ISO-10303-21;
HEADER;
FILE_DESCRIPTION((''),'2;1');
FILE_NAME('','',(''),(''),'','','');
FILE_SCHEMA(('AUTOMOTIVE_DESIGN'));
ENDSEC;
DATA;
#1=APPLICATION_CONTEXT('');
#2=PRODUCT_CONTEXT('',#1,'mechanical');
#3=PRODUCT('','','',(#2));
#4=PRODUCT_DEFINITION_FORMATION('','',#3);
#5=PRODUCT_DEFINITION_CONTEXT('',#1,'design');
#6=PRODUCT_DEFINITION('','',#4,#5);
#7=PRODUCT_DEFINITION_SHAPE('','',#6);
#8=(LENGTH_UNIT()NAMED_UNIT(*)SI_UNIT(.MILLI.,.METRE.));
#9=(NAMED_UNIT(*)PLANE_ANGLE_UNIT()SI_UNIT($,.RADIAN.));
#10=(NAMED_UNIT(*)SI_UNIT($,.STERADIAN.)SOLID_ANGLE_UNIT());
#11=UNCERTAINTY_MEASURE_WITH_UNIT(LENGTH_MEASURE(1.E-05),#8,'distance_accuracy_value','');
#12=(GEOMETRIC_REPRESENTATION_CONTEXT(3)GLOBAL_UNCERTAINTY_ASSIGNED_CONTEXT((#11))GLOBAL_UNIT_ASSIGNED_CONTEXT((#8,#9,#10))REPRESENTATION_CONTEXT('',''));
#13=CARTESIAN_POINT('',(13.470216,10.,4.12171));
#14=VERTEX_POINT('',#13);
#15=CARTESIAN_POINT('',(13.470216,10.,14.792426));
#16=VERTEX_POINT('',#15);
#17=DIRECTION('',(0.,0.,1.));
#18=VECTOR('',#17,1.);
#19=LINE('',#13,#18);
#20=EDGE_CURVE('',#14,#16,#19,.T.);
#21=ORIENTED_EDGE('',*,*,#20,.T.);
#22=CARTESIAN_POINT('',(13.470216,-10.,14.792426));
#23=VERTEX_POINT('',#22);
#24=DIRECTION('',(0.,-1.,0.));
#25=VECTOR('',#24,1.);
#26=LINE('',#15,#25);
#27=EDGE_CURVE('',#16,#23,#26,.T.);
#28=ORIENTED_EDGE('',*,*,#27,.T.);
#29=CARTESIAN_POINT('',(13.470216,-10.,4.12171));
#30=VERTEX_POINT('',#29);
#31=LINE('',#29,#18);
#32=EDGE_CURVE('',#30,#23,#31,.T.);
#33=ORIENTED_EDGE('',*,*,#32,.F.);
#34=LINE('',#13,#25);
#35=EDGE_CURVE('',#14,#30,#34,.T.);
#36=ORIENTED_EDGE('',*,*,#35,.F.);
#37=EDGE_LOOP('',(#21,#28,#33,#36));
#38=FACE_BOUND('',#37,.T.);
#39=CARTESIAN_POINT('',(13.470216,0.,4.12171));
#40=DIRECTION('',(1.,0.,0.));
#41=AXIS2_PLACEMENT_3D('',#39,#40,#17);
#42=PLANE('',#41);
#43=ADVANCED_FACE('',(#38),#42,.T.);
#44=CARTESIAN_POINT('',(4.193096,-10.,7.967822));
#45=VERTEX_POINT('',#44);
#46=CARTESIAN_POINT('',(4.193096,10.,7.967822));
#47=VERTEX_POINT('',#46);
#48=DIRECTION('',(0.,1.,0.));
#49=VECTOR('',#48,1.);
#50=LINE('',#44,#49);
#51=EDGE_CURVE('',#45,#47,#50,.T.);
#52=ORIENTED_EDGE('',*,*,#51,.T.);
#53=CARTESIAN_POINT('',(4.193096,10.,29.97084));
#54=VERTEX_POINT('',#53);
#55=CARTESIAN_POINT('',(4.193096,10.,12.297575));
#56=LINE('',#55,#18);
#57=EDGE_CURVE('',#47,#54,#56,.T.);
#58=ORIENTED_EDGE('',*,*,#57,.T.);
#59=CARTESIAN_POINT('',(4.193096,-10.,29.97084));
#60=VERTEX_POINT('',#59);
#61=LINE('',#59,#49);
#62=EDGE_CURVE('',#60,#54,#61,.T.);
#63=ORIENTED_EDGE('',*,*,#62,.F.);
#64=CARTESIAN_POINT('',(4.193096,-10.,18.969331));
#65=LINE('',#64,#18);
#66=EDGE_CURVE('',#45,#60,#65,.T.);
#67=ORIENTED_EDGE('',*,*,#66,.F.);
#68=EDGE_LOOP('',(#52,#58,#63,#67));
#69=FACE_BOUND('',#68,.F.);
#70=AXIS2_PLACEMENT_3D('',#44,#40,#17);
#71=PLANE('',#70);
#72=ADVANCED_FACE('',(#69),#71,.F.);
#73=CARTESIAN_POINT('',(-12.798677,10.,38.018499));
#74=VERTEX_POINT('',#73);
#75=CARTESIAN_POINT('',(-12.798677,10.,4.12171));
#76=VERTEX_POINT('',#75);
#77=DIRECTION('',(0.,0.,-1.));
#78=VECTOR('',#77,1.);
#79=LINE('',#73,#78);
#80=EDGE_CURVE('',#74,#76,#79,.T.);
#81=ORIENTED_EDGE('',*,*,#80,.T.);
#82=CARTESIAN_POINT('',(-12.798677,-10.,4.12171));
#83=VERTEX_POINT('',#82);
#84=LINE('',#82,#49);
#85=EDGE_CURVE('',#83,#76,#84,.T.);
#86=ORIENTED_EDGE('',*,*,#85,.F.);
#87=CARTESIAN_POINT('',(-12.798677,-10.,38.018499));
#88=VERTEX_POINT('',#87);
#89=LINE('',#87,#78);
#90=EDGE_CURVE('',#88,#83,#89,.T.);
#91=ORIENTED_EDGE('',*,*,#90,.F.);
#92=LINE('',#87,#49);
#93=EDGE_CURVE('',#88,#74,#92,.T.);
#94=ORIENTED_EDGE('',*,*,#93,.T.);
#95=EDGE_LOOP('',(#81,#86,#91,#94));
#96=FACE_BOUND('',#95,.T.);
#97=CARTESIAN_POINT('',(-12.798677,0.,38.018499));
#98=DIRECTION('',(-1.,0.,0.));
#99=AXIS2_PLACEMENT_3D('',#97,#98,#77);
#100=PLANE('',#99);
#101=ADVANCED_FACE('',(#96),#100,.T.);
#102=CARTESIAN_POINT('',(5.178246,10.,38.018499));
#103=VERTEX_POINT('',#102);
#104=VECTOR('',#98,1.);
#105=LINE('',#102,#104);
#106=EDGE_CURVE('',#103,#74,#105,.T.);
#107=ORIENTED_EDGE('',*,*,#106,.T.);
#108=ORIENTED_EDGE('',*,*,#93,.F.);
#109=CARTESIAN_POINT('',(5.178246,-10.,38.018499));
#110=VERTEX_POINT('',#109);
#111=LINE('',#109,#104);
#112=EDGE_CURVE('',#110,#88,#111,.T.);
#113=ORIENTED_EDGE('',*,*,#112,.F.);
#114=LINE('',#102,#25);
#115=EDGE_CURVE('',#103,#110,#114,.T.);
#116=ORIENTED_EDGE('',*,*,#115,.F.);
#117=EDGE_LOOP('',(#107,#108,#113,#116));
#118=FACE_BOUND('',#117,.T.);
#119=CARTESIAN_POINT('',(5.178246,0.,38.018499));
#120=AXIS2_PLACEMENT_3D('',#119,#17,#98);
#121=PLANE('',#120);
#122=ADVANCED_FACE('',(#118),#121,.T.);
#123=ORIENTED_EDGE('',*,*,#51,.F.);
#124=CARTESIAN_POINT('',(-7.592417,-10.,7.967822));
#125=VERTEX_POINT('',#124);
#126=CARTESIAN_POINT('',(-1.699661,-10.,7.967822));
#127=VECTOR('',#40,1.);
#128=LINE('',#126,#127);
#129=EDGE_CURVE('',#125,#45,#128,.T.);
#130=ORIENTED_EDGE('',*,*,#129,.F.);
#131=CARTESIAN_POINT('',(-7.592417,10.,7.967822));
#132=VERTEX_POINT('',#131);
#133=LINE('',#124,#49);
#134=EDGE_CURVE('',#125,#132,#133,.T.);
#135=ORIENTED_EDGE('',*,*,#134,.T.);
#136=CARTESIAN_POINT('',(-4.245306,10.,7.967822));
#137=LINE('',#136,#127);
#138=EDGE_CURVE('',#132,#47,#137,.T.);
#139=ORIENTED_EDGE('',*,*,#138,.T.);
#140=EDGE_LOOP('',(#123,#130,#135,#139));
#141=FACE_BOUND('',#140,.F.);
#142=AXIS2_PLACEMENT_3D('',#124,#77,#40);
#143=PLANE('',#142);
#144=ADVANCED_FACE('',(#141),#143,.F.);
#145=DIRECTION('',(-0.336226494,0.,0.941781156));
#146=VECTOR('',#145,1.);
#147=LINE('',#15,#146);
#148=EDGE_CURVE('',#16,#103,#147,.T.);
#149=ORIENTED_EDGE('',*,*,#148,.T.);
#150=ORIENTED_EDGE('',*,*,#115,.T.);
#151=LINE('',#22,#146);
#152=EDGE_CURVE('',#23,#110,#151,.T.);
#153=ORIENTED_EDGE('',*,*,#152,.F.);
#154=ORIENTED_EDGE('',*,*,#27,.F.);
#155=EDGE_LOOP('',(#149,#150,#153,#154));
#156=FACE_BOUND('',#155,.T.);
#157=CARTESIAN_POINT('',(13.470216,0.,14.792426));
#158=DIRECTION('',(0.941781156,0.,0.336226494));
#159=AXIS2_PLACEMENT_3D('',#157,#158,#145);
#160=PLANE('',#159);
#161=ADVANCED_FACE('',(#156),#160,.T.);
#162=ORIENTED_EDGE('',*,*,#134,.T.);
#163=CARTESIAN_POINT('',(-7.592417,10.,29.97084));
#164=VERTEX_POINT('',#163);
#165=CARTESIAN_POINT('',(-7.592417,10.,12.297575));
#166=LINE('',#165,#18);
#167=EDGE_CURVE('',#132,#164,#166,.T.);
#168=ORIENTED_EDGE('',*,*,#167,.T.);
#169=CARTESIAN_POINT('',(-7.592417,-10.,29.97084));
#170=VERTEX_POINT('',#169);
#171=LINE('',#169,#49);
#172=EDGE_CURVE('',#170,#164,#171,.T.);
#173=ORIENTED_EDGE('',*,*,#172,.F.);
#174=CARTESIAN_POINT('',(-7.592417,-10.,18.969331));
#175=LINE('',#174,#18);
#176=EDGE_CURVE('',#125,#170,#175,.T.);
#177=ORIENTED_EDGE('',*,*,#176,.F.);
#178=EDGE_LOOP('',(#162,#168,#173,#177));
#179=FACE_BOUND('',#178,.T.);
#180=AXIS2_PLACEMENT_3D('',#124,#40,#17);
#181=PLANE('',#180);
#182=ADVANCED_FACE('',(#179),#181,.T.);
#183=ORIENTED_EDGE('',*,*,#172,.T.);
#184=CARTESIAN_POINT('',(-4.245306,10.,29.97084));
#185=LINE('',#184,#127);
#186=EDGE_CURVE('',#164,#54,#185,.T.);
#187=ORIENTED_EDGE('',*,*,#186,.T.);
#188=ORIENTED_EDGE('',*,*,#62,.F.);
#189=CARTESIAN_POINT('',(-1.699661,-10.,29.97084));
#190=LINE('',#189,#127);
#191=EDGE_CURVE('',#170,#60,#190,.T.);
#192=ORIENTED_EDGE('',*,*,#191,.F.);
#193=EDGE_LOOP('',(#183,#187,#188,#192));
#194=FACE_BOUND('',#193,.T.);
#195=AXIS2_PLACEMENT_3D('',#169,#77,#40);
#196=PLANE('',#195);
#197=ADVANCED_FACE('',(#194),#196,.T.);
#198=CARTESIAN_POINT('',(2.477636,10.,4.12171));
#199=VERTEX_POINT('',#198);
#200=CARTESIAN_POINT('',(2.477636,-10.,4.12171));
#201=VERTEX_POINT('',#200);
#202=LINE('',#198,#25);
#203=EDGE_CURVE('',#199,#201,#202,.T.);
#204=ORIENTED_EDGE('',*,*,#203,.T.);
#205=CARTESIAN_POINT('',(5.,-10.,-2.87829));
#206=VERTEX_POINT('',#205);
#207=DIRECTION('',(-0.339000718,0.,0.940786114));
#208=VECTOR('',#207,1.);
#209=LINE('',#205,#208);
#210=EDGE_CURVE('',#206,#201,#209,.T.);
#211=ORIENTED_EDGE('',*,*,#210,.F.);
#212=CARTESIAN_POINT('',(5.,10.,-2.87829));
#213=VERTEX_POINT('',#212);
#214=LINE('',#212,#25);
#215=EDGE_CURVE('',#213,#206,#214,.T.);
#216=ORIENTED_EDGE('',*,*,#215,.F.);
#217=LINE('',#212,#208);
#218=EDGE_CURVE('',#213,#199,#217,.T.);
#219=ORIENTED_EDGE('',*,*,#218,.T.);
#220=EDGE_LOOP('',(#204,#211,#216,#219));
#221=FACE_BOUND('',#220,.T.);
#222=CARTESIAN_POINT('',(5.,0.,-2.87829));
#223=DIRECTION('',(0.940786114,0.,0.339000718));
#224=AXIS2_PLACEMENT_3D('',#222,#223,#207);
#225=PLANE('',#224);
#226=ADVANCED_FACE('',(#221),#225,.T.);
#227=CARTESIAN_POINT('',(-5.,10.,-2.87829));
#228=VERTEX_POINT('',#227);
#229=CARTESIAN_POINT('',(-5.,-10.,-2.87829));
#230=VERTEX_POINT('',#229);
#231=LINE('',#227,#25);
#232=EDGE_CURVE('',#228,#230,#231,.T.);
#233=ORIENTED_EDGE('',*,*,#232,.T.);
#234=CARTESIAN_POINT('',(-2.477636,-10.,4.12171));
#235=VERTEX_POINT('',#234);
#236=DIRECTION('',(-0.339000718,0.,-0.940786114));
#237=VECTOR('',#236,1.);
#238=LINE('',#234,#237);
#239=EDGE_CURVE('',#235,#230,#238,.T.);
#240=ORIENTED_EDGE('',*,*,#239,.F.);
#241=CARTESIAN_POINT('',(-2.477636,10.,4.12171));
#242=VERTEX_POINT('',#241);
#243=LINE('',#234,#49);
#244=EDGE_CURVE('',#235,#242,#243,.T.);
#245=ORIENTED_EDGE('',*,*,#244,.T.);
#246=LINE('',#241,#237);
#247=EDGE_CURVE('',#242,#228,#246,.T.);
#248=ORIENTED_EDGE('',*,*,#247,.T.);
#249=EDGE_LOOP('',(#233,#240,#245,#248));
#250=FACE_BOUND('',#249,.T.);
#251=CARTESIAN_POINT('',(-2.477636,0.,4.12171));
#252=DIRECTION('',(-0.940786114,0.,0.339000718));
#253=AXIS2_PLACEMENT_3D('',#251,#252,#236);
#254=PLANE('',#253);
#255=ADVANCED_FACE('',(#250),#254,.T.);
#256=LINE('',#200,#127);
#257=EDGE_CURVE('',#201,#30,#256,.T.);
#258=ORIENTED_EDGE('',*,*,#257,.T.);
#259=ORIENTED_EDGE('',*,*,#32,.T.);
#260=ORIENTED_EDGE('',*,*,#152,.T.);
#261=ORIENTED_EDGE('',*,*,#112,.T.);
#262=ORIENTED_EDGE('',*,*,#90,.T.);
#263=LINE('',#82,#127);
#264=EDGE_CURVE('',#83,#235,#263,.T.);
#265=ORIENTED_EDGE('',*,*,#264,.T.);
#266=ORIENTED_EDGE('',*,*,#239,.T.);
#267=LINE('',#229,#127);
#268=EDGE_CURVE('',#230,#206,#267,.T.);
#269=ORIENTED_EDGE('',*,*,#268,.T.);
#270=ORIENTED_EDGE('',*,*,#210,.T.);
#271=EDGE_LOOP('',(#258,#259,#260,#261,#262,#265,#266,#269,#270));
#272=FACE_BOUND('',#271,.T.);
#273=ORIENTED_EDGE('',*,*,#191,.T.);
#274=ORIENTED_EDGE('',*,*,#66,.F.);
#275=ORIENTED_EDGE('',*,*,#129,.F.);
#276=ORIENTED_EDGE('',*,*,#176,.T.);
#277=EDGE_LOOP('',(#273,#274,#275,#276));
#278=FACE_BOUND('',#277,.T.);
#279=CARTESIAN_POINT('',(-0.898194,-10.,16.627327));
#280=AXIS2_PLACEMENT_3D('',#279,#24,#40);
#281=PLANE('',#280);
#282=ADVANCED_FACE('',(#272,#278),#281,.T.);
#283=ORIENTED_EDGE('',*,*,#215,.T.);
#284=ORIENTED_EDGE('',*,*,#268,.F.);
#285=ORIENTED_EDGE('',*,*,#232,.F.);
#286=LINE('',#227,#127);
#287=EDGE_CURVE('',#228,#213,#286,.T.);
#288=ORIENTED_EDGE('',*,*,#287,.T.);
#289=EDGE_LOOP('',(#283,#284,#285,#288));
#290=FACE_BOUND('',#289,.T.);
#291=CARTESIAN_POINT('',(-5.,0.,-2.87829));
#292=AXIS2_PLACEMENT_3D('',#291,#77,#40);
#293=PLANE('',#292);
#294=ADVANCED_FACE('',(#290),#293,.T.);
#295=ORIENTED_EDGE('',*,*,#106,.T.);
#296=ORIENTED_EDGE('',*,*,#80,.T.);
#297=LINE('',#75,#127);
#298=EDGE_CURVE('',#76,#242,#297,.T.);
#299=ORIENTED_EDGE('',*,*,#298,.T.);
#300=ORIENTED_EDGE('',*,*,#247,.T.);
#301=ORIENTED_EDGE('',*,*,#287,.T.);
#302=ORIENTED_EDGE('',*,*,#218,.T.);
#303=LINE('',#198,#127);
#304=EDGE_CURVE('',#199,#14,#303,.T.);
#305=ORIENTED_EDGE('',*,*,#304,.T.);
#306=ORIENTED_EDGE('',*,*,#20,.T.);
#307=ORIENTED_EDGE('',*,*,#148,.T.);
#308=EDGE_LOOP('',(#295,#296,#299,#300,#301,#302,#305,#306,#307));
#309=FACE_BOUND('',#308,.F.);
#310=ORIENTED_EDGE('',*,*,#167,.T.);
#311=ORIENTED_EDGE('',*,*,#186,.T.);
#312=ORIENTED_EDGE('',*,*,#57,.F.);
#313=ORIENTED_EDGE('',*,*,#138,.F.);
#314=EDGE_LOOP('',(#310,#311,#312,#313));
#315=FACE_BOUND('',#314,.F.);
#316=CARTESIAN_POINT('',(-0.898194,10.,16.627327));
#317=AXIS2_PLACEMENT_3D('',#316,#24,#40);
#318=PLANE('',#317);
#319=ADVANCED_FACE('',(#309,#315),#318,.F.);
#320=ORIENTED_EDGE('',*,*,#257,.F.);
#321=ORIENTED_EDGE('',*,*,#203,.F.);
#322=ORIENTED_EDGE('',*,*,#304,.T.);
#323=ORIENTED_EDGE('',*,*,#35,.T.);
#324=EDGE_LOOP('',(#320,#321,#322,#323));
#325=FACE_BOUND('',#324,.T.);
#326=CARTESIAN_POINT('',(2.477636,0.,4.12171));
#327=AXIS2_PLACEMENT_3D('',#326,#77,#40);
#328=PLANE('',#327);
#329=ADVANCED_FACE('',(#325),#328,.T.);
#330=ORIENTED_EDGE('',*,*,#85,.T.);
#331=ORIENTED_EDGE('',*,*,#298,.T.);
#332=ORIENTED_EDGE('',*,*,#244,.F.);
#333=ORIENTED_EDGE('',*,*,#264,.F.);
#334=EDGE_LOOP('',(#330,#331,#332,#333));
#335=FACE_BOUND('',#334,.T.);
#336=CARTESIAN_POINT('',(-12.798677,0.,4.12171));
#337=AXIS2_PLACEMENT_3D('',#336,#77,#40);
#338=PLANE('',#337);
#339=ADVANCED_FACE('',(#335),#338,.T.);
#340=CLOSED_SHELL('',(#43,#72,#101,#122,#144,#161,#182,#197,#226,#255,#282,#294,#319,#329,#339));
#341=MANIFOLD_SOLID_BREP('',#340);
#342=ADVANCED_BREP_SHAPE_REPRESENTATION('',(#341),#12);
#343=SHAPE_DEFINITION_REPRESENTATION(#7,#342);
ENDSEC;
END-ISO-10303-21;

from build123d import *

# Parameters (mm, degrees)
F1_DEPTH = 10
F2_W     = 11.785513
F2_H     = 22.003018
F3_DEPTH = 20.001


with BuildPart() as f1:
    # F0 (on Front) → F1 (new body, symmetric)
    with BuildSketch(Plane.XZ):
        Polygon((-2.477636, 4.12171), (-5, -2.87829), (5, -2.87829), (2.477636, 4.12171), (13.470216, 4.12171), (13.470216, 14.792426), (5.178246, 38.018499), (-12.798677, 38.018499), (-12.798677, 4.12171), align=None)
    extrude(amount=F1_DEPTH, both=True)

    # F2 (on face) → F3 (cut, through all)
    with BuildSketch(Plane.XZ.offset(10)):
        with Locations((-1.699661, 18.969331)):
            Rectangle(F2_W, F2_H)
    extrude(amount=-F3_DEPTH, mode=Mode.SUBTRACT)


solid = f1.part
